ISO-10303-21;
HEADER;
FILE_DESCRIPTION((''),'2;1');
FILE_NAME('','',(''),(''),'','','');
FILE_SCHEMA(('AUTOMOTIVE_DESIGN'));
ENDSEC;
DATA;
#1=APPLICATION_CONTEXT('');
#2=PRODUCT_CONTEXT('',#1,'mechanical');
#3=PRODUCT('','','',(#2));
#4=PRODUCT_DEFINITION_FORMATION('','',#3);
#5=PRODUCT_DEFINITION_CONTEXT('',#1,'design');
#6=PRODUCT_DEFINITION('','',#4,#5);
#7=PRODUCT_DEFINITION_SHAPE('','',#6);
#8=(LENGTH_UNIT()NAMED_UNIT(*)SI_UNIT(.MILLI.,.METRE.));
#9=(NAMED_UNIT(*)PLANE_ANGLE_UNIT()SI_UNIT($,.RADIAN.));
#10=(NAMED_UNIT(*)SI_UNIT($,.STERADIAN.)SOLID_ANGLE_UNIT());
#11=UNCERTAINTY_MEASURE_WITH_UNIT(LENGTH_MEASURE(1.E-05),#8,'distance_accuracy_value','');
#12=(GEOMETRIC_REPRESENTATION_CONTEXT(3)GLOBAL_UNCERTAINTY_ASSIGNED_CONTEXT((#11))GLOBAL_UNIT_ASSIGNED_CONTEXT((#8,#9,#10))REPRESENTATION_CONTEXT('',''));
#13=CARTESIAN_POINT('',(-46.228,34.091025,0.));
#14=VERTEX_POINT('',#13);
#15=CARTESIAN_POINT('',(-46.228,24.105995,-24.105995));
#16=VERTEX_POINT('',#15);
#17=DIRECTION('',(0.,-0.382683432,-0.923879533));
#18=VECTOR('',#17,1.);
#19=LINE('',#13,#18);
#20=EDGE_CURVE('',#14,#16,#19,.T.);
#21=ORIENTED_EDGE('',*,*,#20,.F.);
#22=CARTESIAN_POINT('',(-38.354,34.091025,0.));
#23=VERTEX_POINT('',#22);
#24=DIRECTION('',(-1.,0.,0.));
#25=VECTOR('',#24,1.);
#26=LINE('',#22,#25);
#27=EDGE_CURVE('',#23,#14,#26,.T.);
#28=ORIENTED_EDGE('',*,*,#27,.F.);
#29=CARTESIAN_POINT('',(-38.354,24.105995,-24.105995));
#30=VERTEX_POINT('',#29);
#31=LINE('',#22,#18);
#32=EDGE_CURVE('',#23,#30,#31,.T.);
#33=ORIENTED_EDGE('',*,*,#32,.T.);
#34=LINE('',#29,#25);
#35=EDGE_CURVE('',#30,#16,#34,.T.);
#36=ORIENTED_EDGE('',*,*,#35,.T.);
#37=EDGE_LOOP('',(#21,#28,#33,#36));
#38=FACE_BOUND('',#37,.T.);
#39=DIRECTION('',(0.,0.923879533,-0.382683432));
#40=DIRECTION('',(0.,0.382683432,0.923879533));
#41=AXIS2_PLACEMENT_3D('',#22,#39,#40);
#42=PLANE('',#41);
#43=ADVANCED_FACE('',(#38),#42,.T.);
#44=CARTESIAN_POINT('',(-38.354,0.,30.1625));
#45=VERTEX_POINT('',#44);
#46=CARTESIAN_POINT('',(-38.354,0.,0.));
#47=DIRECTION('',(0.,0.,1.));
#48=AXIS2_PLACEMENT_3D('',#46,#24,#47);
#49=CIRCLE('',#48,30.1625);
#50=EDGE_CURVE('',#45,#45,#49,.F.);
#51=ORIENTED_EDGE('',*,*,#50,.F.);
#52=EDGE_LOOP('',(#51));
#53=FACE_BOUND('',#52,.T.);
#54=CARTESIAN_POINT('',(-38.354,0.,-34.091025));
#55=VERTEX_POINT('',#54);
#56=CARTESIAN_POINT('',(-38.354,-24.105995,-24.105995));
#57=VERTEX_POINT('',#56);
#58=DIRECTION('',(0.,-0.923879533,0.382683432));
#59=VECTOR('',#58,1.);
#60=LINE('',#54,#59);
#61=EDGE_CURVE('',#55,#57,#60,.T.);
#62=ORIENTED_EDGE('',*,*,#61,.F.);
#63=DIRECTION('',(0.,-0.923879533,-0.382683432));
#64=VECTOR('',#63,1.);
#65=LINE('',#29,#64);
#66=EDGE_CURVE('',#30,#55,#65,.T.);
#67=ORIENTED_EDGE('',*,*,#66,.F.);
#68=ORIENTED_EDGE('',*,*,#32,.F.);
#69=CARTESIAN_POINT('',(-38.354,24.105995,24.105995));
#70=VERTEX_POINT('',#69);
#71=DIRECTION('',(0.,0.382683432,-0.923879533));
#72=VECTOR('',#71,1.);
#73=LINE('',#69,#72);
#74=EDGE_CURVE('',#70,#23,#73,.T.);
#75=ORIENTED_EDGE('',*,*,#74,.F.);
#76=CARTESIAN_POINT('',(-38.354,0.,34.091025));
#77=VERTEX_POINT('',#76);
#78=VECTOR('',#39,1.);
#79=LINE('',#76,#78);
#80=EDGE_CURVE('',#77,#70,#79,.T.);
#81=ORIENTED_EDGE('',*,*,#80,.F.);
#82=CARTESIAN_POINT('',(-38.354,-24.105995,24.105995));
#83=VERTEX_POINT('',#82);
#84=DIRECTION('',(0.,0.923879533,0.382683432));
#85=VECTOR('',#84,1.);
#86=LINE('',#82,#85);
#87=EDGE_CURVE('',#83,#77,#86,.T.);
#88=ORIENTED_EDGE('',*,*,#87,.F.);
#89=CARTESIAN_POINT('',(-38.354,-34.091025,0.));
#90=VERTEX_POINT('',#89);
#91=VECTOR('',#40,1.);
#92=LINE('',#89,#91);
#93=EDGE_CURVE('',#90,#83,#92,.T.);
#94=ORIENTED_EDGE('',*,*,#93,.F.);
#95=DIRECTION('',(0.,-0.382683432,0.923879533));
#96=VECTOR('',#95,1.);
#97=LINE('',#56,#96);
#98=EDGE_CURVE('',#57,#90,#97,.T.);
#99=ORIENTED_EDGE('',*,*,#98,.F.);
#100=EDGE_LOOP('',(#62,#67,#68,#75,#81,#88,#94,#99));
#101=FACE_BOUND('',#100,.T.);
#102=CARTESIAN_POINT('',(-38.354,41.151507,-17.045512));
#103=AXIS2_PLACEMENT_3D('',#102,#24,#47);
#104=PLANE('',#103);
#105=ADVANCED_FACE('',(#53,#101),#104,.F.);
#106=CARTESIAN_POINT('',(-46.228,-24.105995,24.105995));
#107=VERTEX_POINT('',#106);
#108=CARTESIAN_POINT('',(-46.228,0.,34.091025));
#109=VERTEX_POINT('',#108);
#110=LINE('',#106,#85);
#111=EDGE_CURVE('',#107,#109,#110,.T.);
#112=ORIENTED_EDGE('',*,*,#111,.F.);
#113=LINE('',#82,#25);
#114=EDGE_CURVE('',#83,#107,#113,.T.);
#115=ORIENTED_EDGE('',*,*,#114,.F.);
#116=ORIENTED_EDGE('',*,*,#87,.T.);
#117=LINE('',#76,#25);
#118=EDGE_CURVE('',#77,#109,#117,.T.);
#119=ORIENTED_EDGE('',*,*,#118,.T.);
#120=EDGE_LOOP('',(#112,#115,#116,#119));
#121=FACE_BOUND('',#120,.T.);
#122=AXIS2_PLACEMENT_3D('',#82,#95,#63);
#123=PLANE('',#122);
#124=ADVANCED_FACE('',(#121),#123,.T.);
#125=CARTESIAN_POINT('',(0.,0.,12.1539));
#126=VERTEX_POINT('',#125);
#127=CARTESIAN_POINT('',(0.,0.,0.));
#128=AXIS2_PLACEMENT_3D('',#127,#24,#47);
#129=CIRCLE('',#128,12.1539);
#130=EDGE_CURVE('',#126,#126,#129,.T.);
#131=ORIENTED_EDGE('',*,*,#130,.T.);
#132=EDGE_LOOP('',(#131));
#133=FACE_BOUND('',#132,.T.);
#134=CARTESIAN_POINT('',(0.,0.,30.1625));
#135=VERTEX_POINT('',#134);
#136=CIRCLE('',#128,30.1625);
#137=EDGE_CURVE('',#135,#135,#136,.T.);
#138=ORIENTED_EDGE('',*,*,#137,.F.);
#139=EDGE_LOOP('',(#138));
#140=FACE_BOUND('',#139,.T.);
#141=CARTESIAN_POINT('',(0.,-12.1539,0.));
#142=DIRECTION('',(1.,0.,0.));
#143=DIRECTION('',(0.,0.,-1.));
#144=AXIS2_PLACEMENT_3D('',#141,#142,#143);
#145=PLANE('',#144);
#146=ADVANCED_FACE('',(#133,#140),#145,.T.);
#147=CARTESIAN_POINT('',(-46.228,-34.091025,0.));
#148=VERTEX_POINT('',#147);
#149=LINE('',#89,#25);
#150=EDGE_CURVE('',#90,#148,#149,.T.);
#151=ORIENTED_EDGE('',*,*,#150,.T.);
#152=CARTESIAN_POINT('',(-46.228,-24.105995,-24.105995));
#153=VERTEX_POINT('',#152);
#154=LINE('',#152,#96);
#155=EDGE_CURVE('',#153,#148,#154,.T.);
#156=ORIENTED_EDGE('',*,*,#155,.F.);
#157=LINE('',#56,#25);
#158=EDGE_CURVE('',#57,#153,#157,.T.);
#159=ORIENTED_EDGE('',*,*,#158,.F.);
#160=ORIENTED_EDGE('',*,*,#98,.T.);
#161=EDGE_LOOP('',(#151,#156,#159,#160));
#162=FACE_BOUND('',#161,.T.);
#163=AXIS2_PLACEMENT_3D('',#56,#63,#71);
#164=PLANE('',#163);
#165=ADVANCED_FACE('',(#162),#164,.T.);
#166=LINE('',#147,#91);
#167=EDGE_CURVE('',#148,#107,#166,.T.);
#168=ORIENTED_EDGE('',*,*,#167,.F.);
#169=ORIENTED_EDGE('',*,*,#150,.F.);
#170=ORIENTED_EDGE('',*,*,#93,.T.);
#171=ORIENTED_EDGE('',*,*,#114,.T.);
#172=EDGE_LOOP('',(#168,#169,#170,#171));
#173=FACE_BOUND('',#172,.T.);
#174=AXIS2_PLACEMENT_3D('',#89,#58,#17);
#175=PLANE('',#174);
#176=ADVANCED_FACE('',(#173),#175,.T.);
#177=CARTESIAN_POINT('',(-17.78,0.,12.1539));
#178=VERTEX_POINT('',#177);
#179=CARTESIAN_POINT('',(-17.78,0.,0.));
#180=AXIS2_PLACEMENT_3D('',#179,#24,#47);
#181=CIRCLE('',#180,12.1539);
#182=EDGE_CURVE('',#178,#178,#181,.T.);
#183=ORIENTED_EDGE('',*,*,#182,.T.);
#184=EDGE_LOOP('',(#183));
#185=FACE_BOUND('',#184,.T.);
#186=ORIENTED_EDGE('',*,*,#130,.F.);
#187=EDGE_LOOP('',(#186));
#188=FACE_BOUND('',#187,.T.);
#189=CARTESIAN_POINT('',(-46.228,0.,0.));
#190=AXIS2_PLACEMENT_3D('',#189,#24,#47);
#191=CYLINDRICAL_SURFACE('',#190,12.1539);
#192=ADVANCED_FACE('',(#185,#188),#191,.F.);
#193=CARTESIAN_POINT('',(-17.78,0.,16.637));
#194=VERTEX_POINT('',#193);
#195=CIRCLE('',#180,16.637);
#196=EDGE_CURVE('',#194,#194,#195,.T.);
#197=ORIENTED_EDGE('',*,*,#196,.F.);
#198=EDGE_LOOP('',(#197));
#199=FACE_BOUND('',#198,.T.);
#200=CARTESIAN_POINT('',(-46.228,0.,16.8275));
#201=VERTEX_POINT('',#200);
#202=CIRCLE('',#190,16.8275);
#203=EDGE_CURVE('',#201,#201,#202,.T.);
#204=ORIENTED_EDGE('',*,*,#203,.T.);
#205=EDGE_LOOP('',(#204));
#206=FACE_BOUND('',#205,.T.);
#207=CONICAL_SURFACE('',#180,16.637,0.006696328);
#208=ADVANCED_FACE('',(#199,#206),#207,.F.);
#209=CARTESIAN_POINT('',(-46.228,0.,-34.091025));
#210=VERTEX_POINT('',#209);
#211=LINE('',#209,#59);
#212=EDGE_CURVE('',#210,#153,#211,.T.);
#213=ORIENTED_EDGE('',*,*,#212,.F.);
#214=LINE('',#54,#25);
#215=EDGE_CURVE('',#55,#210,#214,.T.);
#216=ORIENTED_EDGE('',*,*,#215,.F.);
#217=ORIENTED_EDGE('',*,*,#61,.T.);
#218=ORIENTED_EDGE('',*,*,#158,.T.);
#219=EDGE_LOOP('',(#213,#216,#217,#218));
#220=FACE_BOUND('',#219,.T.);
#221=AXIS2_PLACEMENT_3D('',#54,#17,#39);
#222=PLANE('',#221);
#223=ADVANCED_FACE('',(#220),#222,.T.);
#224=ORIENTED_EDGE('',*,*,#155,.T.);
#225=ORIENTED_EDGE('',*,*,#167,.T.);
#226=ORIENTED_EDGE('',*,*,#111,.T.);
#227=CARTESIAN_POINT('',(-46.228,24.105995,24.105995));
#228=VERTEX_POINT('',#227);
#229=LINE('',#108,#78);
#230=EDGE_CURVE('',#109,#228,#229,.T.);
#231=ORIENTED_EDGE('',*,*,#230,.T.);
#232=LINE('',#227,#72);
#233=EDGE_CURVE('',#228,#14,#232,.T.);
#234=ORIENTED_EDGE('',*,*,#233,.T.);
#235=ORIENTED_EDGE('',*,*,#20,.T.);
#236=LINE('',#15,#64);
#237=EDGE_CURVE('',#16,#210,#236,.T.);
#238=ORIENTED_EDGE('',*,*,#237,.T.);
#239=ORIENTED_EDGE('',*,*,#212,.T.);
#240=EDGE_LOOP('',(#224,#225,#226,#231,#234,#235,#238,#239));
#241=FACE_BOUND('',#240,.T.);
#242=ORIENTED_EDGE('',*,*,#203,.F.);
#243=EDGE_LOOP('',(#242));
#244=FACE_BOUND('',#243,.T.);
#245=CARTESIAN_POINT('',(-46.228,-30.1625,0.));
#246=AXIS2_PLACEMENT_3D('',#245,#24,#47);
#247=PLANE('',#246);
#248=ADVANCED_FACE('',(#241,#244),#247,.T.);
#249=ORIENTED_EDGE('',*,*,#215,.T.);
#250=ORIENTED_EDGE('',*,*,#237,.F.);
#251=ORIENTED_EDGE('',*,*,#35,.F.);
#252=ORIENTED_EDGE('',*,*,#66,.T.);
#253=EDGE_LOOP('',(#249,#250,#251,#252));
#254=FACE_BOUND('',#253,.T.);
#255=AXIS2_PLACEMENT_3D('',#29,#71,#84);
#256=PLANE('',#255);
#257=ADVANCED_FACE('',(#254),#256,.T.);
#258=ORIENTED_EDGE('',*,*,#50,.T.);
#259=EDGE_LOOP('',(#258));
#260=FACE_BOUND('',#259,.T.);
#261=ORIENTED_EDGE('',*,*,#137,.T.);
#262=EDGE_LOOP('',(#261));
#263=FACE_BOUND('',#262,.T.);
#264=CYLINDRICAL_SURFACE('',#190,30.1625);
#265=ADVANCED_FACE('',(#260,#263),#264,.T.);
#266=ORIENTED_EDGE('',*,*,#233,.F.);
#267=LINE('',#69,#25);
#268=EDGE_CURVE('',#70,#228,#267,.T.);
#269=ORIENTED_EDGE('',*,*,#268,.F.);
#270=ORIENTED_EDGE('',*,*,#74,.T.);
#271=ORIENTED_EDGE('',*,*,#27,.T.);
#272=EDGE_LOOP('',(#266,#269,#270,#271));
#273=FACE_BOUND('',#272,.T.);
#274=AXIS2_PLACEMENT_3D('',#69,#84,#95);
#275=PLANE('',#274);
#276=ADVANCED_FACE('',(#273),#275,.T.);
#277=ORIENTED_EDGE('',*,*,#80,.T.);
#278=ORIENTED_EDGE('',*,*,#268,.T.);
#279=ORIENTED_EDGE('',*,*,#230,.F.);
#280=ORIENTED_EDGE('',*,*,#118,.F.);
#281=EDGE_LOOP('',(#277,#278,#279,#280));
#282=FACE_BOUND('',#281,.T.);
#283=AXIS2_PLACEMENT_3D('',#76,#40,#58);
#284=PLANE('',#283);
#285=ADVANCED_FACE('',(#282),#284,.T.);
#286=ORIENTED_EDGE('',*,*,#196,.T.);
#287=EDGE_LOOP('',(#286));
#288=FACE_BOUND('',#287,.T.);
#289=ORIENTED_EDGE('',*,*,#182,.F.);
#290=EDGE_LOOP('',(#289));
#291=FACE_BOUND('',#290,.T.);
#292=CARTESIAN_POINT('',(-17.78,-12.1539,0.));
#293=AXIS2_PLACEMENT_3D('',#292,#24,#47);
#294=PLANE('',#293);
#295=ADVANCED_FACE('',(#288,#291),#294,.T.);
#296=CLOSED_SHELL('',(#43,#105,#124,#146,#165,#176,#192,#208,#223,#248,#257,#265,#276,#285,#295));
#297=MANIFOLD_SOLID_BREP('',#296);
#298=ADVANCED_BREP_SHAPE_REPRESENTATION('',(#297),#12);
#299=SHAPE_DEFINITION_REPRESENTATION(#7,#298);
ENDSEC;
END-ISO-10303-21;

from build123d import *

# Parameters (mm, degrees)
SKETCH2_R           = 16.8275
BOSS_EXTRUDE1_DEPTH = 7.874


with BuildPart() as part:
    # Sketch1 → Revolve1 (revolve)
    with BuildSketch(Plane.XY):
        Polygon((-46.228, -30.1625), (0, -30.1625), (0, -12.1539), (-17.78, -12.1539), (-17.78, -16.637), (-46.228, -16.8275), align=None)
    revolve(axis=Axis((-46.228, 0, 0), (1, 0, 0)))

    # Sketch2 → Boss-Extrude1 (add)
    with BuildSketch(Plane.ZY.offset(46.228)):
        Polygon((0, 34.09102474), (-24.105994772, 24.105994772), (-34.09102474, 0), (-24.105994772, -24.105994772), (0, -34.09102474), (24.105994772, -24.105994772), (34.09102474, 0), (24.105994772, 24.105994772), align=None)
        Circle(SKETCH2_R, mode=Mode.SUBTRACT)
    extrude(amount=-BOSS_EXTRUDE1_DEPTH)


solid = part.part
